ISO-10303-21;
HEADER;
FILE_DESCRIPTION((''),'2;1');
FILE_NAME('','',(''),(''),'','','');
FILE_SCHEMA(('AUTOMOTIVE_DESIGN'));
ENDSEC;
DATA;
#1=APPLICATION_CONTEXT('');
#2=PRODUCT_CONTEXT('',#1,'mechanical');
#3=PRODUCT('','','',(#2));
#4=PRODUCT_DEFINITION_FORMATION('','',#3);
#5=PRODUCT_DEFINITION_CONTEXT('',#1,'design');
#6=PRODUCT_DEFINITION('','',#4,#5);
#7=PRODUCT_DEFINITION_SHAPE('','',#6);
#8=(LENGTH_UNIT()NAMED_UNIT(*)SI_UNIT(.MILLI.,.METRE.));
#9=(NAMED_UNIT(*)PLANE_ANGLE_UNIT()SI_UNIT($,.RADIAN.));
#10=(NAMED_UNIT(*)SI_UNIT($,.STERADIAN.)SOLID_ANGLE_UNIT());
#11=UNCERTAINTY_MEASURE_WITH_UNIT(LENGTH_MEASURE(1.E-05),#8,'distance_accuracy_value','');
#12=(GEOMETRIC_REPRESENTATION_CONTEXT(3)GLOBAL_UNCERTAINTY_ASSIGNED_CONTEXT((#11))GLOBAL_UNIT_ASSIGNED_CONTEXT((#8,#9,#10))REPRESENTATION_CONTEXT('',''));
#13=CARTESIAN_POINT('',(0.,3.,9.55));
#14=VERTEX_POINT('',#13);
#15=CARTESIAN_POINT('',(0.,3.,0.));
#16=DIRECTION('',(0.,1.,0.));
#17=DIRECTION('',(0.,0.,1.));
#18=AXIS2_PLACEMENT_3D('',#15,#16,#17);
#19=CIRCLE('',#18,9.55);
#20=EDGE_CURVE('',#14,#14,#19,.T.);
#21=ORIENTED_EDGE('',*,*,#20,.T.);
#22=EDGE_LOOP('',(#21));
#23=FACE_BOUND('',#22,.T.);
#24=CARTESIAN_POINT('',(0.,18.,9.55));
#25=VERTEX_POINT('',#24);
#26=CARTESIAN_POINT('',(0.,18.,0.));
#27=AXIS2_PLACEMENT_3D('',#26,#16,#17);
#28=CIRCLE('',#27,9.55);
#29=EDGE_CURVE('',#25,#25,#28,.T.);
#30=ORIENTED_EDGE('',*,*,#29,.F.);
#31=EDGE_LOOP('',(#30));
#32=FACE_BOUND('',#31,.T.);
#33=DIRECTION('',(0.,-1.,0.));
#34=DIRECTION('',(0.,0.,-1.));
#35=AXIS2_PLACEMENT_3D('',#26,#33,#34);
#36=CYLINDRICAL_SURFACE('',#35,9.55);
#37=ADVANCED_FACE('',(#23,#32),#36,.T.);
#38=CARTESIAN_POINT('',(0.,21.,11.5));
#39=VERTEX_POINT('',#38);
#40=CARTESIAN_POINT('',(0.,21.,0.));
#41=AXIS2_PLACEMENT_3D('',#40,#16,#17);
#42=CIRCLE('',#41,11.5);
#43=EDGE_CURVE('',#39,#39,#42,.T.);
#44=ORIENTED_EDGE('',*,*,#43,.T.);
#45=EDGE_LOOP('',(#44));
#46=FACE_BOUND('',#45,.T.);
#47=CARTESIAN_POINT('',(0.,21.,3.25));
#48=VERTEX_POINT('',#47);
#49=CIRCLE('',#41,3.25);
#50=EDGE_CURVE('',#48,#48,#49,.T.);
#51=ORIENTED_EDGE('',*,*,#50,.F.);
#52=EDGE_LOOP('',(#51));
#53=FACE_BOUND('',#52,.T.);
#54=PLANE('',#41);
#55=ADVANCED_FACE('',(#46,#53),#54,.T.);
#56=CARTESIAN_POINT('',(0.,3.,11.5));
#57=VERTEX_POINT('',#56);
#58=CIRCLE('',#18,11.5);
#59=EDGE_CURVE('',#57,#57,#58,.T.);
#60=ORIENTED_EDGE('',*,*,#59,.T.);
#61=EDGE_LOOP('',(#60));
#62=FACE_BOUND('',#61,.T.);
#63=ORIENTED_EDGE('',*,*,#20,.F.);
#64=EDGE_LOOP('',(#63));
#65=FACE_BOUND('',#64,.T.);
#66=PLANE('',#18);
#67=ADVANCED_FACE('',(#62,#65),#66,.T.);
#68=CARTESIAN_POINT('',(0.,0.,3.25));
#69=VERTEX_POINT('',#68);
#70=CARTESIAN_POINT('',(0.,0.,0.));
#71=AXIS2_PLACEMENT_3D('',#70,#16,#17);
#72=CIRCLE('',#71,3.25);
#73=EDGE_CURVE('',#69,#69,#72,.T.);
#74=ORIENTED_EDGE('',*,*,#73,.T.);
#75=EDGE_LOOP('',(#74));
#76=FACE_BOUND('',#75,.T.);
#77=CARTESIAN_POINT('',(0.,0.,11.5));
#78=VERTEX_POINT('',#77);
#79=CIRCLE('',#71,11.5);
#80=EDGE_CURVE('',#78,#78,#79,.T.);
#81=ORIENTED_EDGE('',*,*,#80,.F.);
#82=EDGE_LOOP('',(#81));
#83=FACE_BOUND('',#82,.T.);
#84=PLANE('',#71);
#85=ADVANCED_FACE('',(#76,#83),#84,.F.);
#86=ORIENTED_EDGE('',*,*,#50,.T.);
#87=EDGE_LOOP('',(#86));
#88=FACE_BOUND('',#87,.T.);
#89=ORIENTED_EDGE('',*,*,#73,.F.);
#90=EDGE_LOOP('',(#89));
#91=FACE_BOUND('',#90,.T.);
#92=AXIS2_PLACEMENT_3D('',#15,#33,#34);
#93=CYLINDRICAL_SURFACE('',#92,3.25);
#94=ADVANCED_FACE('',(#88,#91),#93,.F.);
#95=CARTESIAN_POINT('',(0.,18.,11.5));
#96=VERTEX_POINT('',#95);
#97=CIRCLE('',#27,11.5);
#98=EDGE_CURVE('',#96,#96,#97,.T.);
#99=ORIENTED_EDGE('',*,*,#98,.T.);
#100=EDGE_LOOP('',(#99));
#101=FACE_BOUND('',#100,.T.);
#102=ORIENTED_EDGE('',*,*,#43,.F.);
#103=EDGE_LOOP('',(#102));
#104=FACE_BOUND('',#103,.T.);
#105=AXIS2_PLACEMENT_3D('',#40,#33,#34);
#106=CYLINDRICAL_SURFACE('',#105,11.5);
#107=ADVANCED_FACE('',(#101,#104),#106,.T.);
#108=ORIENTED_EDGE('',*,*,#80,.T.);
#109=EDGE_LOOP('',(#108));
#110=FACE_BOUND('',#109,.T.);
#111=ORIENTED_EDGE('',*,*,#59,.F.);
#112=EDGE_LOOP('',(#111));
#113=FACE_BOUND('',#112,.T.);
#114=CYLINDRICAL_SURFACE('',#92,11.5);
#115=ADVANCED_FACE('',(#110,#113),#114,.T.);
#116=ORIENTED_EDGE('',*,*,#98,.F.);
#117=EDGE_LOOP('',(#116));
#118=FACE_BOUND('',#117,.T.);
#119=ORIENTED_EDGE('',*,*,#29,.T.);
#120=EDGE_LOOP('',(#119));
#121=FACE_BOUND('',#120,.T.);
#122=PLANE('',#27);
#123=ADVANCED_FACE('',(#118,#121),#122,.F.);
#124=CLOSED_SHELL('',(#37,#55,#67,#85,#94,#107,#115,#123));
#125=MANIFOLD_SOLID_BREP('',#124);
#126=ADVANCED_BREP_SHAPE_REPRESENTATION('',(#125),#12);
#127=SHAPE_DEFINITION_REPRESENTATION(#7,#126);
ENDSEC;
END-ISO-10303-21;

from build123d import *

# Parameters (mm, degrees)
SKETCH1_R           = 11.5
SKETCH1_R_2         = 3.25
BOSS_EXTRUDE1_DEPTH = 3
SKETCH2_R           = 9.55
SKETCH2_R_2         = 3.25
BOSS_EXTRUDE2_DEPTH = 15
SKETCH3_R           = 11.5
SKETCH3_R_2         = 3.25
BOSS_EXTRUDE3_DEPTH = 3


with BuildPart() as part:
    # Sketch1 → Boss-Extrude1 (new body)
    with BuildSketch(Plane(origin=(0, 0, 0), x_dir=(1, 0, 0), z_dir=(0, 1, 0))):
        with Locations(Location((0, 0, 0), (0, 0, 270))):
            Circle(SKETCH1_R)
        with Locations(Location((0, 0, 0), (0, 0, 270))):
            Circle(SKETCH1_R_2, mode=Mode.SUBTRACT)
    extrude(amount=BOSS_EXTRUDE1_DEPTH)

    # Sketch2 → Boss-Extrude2 (add)
    with BuildSketch(Plane(origin=(0, 3, 0), x_dir=(1, 0, 0), z_dir=(0, 1, 0))):
        with Locations(Location((0, 0, 0), (0, 0, 270))):
            Circle(SKETCH2_R)
        with Locations(Location((0, 0, 0), (0, 0, 270))):
            Circle(SKETCH2_R_2, mode=Mode.SUBTRACT)
    extrude(amount=BOSS_EXTRUDE2_DEPTH)

    # Sketch3 → Boss-Extrude3 (add)
    with BuildSketch(Plane(origin=(0, 18, 0), x_dir=(1, 0, 0), z_dir=(0, 1, 0))):
        with Locations(Location((0, 0, 0), (0, 0, 270))):
            Circle(SKETCH3_R)
        with Locations(Location((0, 0, 0), (0, 0, 270))):
            Circle(SKETCH3_R_2, mode=Mode.SUBTRACT)
    extrude(amount=BOSS_EXTRUDE3_DEPTH)


solid = part.part
